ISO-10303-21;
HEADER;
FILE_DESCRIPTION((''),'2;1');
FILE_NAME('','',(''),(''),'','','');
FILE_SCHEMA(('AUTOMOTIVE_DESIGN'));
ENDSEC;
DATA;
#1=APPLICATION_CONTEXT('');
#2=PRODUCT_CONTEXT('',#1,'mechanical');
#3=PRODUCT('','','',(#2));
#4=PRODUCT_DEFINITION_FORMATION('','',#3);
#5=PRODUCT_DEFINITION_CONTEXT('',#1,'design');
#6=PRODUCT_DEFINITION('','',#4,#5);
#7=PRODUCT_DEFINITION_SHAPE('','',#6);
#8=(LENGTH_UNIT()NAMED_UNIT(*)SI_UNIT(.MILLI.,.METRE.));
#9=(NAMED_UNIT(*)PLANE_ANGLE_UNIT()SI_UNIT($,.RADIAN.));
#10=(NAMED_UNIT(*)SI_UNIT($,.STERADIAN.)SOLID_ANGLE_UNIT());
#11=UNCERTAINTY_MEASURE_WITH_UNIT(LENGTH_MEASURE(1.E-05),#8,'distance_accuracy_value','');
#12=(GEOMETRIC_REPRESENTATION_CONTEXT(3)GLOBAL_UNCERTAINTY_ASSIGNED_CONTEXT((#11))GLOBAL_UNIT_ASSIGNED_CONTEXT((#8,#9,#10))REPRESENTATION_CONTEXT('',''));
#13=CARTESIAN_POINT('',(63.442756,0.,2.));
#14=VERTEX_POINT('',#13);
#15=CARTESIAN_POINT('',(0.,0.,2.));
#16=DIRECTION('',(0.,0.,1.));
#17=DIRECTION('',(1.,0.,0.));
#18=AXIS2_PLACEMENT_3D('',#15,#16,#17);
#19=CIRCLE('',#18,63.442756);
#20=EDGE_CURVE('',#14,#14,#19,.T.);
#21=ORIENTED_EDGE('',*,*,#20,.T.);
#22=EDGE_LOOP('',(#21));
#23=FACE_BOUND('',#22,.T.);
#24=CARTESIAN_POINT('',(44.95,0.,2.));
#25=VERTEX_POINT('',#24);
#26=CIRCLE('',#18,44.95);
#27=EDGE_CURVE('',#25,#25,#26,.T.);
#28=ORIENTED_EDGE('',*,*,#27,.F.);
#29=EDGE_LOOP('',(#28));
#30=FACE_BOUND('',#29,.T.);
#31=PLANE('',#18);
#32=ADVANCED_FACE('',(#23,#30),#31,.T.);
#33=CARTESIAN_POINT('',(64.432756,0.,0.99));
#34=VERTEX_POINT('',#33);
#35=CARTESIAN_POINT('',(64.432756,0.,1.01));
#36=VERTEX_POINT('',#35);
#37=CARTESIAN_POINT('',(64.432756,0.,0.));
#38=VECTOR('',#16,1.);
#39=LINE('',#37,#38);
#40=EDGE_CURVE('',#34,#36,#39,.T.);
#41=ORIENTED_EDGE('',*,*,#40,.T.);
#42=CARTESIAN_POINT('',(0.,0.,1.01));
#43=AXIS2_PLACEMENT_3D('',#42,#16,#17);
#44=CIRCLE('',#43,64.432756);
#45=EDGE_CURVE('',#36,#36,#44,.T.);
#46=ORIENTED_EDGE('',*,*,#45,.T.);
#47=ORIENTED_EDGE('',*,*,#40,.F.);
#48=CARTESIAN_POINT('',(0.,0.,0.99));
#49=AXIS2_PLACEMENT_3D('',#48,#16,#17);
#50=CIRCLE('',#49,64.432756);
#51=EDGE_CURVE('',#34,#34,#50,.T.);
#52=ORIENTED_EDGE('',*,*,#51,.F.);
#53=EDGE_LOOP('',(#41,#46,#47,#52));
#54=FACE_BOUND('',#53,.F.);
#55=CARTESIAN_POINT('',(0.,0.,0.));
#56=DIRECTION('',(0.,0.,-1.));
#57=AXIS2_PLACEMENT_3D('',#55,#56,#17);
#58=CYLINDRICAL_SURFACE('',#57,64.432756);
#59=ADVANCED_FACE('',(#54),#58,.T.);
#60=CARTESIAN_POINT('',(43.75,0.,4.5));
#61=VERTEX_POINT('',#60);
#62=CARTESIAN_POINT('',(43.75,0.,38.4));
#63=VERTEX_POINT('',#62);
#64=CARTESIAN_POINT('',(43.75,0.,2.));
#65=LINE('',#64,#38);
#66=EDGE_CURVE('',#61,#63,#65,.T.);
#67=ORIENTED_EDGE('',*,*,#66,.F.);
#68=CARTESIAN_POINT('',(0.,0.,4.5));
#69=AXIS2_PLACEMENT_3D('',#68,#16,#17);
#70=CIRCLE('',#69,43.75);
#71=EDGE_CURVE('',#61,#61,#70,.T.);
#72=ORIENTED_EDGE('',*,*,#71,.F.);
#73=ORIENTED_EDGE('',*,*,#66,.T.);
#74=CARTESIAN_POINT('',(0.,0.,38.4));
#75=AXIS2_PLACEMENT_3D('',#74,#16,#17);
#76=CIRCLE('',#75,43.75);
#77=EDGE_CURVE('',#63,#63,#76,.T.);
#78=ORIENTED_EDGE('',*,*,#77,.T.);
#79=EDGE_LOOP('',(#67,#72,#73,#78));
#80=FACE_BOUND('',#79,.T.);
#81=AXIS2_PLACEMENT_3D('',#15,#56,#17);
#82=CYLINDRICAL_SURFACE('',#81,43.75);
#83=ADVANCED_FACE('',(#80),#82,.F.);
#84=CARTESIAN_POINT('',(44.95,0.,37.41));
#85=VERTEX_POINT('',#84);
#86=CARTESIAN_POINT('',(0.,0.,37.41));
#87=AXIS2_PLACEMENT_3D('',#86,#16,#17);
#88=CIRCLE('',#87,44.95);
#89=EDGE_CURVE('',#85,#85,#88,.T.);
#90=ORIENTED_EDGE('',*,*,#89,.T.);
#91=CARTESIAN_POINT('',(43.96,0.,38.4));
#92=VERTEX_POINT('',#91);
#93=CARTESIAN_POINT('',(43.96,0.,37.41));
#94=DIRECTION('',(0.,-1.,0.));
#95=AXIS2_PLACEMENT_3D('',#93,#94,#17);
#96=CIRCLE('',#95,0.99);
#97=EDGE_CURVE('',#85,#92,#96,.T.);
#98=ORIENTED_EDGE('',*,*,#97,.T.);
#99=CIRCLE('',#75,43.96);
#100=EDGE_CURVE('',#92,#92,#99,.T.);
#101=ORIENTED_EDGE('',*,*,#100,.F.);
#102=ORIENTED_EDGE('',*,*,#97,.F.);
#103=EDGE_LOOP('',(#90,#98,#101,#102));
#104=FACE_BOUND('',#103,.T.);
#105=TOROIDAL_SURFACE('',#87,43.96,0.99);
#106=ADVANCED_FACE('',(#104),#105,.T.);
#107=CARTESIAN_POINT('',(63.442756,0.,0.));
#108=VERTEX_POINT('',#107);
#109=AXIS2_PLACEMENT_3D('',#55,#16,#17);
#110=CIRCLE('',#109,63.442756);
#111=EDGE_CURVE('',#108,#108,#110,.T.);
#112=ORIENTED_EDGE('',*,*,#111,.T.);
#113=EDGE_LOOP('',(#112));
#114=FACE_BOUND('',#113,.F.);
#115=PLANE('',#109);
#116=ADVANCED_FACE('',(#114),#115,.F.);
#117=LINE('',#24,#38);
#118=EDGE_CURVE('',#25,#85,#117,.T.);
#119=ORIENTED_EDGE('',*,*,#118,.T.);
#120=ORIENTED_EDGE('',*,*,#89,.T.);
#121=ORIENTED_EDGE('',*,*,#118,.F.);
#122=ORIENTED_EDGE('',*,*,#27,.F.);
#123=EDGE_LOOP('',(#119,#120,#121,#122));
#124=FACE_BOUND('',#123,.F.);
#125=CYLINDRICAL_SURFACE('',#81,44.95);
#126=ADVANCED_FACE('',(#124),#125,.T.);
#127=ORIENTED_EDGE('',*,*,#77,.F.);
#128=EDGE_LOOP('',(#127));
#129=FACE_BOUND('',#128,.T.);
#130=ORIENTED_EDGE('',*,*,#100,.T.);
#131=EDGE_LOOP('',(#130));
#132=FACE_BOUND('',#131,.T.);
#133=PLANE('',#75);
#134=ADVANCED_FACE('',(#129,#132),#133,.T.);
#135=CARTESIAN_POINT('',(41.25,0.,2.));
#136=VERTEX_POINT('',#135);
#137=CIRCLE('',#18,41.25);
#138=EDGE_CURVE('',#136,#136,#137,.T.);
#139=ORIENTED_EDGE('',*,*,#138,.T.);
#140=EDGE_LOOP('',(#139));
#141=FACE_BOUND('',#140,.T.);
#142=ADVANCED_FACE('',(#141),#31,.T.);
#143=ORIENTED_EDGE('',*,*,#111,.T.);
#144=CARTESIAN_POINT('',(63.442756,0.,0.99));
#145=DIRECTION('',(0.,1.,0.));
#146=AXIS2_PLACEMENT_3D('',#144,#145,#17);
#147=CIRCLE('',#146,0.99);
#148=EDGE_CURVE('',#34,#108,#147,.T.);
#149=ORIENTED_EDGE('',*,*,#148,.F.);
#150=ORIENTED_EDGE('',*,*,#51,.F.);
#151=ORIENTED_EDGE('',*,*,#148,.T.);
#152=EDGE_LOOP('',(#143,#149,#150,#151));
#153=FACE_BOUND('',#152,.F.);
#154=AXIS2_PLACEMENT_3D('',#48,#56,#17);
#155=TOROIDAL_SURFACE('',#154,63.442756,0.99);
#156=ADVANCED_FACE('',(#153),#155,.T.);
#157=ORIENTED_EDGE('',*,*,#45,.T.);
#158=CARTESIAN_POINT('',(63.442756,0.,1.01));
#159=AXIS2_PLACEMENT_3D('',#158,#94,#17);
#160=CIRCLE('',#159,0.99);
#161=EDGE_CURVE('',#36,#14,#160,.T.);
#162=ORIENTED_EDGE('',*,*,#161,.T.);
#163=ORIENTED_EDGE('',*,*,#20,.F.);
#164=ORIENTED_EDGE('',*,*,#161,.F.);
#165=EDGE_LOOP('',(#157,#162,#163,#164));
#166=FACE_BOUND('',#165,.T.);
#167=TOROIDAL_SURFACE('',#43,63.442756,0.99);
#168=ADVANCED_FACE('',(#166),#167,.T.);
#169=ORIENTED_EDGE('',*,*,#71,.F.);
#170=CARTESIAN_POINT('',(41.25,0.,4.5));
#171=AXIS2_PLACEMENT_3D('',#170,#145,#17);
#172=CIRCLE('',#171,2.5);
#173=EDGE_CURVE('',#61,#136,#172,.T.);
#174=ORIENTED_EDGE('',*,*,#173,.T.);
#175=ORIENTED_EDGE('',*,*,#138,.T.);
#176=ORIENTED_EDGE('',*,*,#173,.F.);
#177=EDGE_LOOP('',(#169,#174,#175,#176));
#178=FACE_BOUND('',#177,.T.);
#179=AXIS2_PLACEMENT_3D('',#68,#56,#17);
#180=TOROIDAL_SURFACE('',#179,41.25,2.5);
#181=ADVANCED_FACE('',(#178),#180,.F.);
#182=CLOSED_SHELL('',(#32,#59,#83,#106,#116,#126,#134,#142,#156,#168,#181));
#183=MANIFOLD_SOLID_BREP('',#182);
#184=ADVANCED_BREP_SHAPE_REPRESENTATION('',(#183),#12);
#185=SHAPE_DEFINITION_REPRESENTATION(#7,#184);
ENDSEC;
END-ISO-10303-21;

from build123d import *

# Parameters (mm, degrees)
SKETCH032_R   = 64.432756
PAD008_DEPTH  = 2
SKETCH033_R   = 44.95
SKETCH033_R_2 = 43.75
PAD009_DEPTH  = 36.4
FILLET009_R   = 0.99
FILLET010_R   = 2.5


with BuildPart() as part:
    # Sketch032 → Pad008 (new body)
    with BuildSketch(Plane.XY):
        Circle(SKETCH032_R)
    extrude(amount=PAD008_DEPTH)

    # Sketch033 → Pad009 (join)
    with BuildSketch(Plane.XY.offset(2)):
        Circle(SKETCH033_R)
        Circle(SKETCH033_R_2, mode=Mode.SUBTRACT)
    extrude(amount=PAD009_DEPTH)

    # Fillet009
    fillet009_edges = [part.edges().sort_by_distance(p)[0] for p in [
        (-44.95, 0, 38.4),
        (-64.432756, 0, 2),
        (-64.432756, 0, 0),
    ]]
    fillet(fillet009_edges, radius=FILLET009_R)

    # Fillet010
    fillet010_edges = [part.edges().sort_by_distance(p)[0] for p in [
        (-43.75, 0, 2),
    ]]
    fillet(fillet010_edges, radius=FILLET010_R)


solid = part.part
